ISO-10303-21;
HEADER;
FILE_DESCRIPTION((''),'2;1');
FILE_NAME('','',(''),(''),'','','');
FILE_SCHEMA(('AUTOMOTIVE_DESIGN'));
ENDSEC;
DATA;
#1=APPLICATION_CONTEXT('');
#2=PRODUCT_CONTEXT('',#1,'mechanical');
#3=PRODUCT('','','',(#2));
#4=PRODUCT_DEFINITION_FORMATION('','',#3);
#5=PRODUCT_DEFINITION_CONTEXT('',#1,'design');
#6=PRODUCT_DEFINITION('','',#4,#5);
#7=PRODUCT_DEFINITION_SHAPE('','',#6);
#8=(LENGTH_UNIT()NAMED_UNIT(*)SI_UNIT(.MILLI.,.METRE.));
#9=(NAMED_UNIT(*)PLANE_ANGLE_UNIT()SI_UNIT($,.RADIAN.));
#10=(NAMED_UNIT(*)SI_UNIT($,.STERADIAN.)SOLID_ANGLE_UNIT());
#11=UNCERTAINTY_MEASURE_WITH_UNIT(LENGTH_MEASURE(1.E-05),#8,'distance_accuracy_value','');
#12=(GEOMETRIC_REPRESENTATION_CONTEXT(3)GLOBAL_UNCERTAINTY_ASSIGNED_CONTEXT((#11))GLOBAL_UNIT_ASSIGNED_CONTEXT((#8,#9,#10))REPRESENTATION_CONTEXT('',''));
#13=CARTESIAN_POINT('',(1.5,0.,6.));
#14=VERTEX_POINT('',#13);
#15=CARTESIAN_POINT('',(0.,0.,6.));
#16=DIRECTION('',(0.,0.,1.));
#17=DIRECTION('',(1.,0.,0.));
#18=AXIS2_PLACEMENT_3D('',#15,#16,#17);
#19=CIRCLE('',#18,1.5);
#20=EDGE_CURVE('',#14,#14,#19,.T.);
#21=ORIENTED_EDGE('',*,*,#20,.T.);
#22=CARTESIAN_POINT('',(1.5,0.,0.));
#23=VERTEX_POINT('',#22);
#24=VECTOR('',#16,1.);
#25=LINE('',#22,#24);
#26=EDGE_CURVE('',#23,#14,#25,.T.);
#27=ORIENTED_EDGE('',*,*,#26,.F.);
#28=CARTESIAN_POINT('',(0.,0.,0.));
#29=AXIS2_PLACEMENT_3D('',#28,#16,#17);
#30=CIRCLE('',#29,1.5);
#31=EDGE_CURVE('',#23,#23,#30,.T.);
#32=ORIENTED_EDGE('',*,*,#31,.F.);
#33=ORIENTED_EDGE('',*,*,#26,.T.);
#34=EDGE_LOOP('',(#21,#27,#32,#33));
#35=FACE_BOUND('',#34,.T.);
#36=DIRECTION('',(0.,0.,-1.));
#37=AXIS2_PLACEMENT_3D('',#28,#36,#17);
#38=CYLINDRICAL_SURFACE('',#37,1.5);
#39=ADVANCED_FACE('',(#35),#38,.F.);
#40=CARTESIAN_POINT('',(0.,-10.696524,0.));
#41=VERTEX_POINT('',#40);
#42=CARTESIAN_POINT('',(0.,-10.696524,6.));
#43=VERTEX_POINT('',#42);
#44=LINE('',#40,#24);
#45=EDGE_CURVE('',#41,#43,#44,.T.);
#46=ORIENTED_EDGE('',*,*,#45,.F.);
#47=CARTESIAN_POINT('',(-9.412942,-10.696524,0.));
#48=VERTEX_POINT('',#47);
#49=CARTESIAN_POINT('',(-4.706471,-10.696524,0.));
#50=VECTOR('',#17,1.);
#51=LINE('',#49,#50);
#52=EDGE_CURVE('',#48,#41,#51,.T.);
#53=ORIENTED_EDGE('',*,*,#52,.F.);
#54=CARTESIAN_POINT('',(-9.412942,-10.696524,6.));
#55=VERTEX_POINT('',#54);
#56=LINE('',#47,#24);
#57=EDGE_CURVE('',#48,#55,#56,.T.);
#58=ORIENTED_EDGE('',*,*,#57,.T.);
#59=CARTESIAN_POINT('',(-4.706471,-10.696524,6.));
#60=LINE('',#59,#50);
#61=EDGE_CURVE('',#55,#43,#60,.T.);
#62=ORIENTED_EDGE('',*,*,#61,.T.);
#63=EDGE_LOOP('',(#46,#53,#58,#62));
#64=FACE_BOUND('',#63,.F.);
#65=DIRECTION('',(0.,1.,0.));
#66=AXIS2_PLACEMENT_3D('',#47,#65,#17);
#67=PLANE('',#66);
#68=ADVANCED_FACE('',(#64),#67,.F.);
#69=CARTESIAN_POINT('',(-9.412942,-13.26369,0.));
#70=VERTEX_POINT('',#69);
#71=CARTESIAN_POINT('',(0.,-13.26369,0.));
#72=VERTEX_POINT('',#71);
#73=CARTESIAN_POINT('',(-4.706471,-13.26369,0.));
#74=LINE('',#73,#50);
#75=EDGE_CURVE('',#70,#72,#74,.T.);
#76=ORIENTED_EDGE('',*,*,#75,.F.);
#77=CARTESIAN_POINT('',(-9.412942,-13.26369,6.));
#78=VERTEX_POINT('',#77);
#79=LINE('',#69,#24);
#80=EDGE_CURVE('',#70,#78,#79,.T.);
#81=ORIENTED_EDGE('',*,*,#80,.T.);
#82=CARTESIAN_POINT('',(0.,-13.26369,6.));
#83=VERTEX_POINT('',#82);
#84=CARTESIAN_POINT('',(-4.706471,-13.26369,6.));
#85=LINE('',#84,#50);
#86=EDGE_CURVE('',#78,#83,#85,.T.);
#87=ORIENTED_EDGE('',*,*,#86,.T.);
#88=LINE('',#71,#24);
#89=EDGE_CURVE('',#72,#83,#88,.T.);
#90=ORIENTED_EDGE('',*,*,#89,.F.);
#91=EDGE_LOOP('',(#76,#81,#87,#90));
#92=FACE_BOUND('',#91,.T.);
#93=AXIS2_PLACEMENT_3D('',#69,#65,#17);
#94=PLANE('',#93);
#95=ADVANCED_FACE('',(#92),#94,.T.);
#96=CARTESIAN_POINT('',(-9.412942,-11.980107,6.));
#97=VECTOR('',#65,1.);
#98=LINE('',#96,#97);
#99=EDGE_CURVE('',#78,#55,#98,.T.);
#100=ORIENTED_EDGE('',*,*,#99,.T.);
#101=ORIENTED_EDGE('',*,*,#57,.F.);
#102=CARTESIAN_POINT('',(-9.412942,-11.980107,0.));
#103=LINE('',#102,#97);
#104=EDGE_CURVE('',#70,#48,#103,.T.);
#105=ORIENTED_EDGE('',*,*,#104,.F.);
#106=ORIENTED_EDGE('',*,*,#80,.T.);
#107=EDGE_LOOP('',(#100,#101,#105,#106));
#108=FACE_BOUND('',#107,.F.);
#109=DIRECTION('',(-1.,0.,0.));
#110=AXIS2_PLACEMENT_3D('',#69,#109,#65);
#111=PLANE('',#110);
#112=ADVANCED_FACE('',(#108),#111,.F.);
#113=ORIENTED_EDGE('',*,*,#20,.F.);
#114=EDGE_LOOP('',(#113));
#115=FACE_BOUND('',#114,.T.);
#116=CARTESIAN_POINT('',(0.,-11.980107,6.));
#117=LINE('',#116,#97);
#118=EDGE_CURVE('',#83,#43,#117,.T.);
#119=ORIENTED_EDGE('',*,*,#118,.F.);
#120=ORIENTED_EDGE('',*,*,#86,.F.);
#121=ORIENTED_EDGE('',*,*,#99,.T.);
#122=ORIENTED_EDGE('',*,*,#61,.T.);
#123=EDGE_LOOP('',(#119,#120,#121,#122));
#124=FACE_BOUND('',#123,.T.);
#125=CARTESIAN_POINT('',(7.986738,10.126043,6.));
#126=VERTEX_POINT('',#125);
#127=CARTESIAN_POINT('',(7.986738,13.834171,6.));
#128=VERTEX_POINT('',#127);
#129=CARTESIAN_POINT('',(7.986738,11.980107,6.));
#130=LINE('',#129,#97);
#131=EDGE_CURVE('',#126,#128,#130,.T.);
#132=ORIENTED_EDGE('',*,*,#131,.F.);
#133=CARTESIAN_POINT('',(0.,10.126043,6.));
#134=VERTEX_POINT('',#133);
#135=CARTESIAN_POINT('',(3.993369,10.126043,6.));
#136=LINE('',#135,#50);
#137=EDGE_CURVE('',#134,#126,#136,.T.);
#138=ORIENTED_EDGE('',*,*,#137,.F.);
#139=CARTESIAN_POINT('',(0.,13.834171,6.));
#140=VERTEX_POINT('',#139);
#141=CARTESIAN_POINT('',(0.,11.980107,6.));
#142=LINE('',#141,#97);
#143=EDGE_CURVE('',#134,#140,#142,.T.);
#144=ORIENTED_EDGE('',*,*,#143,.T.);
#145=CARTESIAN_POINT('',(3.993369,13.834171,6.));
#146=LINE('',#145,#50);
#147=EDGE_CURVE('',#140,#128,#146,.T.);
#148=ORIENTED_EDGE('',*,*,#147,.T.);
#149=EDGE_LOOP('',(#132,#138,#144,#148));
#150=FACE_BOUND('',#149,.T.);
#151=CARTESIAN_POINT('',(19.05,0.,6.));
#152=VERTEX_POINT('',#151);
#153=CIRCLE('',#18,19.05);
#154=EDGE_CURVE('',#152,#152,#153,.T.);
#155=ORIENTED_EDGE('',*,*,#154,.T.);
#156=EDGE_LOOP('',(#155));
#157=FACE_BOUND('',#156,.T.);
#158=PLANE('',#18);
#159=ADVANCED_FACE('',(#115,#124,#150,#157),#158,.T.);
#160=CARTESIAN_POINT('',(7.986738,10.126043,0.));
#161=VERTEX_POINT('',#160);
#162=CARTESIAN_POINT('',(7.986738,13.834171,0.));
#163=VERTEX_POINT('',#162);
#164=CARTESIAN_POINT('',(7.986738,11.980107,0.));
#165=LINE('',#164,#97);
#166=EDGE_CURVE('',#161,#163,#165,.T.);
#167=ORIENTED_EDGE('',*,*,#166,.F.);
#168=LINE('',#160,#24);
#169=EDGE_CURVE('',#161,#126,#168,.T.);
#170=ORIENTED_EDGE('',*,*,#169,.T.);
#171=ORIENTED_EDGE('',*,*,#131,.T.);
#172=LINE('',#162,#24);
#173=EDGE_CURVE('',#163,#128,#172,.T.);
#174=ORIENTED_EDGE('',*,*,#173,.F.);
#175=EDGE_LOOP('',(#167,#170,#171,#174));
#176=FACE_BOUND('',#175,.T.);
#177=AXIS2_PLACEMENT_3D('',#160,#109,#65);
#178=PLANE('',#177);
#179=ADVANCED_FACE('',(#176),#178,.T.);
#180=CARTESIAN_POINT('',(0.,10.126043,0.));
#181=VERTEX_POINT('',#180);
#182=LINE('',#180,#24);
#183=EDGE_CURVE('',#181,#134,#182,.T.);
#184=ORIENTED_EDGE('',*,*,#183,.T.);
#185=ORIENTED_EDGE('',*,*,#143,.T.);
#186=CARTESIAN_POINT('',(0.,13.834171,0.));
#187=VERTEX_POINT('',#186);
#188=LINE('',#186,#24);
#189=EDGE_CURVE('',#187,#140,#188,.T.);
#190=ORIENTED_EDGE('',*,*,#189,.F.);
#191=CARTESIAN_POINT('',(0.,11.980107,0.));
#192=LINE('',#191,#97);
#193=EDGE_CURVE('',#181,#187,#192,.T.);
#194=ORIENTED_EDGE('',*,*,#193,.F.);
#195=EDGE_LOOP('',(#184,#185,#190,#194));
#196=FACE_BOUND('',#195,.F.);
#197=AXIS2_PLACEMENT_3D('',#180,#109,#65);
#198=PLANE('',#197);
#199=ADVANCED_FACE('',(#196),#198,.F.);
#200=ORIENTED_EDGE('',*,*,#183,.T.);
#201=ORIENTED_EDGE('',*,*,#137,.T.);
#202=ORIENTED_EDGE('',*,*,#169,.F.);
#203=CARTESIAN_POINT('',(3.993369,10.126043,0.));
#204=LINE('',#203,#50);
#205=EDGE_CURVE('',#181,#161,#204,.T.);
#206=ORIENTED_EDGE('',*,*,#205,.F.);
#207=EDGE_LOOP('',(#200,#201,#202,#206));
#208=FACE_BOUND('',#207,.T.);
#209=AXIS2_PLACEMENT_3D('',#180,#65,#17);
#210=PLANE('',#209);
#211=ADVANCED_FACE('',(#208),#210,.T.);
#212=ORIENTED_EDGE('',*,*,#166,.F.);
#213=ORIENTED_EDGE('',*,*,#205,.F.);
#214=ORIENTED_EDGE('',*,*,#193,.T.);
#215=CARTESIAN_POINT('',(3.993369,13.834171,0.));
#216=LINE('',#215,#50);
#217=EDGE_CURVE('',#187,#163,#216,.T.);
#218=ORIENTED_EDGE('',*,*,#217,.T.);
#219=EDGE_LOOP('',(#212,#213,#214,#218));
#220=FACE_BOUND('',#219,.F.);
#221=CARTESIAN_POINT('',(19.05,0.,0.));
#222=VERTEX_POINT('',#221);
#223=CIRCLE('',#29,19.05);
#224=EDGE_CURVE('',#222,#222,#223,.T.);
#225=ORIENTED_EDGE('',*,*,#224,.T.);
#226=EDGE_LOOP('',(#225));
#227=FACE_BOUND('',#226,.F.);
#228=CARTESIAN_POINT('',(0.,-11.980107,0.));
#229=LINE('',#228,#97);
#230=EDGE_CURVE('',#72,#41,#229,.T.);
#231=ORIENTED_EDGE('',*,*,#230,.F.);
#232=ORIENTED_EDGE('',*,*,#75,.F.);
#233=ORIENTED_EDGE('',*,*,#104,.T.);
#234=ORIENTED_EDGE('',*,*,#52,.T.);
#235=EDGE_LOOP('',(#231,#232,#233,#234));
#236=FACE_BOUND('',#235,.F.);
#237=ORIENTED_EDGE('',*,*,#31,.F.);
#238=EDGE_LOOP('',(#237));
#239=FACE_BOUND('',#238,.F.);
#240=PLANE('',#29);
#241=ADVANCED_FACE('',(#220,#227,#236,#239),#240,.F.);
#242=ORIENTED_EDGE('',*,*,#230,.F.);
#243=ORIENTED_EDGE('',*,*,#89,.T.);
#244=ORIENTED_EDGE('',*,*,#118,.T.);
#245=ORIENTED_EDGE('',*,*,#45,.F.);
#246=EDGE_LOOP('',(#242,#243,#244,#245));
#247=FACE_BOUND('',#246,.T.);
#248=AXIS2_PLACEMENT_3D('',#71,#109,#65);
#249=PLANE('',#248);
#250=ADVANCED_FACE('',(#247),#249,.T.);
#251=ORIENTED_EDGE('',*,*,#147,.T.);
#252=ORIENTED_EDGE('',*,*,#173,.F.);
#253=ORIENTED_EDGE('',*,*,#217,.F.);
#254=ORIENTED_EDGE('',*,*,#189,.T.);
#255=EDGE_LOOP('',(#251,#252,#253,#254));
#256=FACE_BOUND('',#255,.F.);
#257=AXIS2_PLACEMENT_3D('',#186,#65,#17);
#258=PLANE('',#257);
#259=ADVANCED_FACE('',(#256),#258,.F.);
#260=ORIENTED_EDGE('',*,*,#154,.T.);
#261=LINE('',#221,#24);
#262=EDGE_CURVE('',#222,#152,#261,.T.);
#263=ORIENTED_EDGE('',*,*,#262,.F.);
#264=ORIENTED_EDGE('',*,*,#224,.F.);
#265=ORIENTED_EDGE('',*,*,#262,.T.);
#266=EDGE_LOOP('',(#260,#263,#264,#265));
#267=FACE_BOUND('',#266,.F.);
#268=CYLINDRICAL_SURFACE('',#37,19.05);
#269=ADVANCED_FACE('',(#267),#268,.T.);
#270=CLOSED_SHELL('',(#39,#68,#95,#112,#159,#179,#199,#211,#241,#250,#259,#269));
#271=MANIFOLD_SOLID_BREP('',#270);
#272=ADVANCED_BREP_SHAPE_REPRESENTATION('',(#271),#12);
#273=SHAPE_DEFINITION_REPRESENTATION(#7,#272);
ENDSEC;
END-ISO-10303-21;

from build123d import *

# Parameters (mm, degrees)
F0_R     = 19.05
F0_W     = 9.412942
F0_H     = 2.567166
F0_R_2   = 1.5
F0_W_2   = 7.986738
F0_H_2   = 3.708128
F1_DEPTH = 6


with BuildPart() as f1:
    # F0 (on Top) → F1 (new body)
    with BuildSketch(Plane.XY):
        Circle(F0_R)
        with Locations((-4.706471, -11.980107)):
            Rectangle(F0_W, F0_H, mode=Mode.SUBTRACT)
        Circle(F0_R_2, mode=Mode.SUBTRACT)
        with Locations((3.993369, 11.980107)):
            Rectangle(F0_W_2, F0_H_2, mode=Mode.SUBTRACT)
    extrude(amount=F1_DEPTH)


solid = f1.part
